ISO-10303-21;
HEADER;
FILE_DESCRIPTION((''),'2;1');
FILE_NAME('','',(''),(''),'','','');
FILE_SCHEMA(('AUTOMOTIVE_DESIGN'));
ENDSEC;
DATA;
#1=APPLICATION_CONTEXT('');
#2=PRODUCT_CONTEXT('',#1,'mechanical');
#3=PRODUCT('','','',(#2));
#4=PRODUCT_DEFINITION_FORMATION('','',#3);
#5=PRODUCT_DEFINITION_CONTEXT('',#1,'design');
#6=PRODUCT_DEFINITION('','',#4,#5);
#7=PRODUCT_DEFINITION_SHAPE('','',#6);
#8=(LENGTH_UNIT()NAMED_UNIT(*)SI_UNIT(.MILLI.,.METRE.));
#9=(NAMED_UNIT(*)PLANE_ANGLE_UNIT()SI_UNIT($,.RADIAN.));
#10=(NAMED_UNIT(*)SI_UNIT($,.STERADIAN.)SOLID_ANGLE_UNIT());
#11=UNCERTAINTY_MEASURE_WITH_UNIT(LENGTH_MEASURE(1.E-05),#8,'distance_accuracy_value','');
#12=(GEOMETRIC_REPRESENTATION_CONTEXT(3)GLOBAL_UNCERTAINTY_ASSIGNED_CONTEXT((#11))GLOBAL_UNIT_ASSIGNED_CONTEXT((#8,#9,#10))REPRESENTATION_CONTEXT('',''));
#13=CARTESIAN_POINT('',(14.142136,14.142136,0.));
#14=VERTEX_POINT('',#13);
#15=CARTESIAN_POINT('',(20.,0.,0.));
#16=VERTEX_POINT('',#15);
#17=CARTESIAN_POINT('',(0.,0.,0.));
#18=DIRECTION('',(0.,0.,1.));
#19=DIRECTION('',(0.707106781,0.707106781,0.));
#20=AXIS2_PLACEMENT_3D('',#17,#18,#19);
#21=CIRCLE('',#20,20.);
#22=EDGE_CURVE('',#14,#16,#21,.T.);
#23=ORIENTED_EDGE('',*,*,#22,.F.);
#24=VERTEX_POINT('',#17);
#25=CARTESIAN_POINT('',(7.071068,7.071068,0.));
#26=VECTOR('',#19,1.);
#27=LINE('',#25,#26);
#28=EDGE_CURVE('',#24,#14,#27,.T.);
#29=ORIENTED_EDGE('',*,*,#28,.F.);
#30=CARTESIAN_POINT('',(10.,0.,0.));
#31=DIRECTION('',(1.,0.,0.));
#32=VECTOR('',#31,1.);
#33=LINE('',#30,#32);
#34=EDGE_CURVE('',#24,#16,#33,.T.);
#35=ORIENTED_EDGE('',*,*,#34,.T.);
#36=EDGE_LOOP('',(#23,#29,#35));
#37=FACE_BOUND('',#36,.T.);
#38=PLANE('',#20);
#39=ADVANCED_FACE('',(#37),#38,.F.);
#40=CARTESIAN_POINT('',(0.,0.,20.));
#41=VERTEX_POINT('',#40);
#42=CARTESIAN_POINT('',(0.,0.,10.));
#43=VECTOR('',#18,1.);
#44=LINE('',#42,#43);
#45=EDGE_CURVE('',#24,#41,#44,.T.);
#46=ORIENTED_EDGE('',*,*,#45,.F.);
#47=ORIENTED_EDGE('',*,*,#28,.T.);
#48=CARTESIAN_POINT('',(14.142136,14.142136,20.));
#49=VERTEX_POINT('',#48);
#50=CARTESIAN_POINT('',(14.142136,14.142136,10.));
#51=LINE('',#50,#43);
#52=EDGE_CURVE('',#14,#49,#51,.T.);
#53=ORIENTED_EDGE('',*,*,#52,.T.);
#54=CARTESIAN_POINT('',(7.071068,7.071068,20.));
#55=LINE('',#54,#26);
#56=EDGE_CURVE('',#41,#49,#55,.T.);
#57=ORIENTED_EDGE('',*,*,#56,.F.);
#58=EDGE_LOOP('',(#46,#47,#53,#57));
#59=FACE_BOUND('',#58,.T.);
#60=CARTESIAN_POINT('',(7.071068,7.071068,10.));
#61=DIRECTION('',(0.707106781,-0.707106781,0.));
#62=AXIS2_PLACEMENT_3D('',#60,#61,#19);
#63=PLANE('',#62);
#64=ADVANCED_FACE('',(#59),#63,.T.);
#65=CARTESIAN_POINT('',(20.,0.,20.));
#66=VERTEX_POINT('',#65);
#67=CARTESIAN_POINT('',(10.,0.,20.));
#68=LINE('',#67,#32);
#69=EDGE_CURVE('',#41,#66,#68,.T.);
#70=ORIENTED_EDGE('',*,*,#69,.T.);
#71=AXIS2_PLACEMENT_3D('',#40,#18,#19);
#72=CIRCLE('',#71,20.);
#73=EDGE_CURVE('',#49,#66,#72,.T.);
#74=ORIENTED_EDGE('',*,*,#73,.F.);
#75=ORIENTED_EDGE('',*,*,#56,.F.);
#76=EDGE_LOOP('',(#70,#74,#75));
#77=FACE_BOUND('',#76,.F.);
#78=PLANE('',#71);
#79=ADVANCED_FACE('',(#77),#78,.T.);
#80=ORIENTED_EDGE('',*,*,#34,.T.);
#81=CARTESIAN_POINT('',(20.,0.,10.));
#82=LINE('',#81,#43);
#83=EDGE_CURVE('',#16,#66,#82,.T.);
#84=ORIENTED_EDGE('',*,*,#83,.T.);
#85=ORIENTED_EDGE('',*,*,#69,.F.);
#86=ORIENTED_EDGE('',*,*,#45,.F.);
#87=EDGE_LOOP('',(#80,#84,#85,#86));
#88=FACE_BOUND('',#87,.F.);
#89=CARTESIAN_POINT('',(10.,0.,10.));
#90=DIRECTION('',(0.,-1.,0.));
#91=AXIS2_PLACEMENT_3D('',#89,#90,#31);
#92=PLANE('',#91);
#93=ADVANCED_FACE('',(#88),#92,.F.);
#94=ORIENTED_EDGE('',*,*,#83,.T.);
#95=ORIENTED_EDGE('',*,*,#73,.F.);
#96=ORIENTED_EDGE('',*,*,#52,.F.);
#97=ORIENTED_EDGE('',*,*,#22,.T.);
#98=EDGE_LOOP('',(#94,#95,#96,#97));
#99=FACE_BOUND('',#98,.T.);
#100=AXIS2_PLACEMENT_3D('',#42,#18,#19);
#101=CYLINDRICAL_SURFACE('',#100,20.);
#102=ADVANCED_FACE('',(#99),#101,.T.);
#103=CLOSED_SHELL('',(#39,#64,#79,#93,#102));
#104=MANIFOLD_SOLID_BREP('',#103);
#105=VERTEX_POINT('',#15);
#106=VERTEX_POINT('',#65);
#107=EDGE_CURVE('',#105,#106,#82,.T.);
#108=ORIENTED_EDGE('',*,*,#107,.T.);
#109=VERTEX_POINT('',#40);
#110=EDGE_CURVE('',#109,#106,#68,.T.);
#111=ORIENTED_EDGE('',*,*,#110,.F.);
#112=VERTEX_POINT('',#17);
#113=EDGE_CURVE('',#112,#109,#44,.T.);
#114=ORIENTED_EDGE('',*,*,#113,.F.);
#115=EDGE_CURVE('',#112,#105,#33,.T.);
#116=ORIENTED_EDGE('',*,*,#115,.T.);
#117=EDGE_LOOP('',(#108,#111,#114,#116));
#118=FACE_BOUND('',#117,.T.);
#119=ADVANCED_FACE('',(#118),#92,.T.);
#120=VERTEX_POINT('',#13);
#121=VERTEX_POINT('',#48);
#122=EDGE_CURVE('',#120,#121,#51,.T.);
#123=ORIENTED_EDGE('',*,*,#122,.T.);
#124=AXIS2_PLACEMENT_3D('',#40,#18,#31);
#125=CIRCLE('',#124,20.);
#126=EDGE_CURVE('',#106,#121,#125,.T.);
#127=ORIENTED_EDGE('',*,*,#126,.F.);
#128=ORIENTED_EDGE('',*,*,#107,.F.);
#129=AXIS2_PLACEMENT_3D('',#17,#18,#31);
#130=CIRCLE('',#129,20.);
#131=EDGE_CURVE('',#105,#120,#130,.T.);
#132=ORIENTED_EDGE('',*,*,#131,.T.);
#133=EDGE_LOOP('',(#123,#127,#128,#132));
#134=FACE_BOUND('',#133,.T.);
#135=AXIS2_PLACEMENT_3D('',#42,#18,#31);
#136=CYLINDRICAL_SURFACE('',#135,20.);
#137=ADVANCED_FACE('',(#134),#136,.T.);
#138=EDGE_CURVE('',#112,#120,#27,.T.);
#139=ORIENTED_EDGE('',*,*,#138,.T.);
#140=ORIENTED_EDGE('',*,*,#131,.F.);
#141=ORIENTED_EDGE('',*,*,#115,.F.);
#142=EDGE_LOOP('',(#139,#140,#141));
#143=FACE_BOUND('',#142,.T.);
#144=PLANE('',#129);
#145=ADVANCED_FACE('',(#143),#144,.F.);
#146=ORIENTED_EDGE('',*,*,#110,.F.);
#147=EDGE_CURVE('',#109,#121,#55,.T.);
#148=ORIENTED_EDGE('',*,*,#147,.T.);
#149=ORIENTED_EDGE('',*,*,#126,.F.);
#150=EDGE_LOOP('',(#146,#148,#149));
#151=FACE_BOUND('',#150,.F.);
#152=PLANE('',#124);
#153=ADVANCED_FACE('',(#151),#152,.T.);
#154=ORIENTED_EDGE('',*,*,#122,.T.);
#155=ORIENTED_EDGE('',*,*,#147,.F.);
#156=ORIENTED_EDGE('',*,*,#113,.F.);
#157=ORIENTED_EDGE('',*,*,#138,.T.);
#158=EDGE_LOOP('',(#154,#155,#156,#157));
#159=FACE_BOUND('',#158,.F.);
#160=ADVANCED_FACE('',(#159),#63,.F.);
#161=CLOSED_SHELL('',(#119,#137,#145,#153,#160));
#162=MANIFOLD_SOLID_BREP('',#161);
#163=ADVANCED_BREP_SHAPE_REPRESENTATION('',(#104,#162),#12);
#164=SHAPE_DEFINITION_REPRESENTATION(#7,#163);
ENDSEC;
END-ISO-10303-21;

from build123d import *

# Parameters (mm, degrees)
CYLINDER_W               = 20
CYLINDER_H               = 20
CYLINDER_ANGLE           = 315
CYLINDER_PLACEMENT_ANGLE = 45
CYLINDER001_W            = 20
CYLINDER001_H            = 20
CYLINDER001_ANGLE        = 45


with BuildPart() as base:
    # Cylinder → Cylinder (revolve)
    with BuildSketch(Plane.XZ):
        with Locations((10, 10)):
            Rectangle(CYLINDER_W, CYLINDER_H)
    revolve(axis=Axis((0, 0, 0), (0, 0, 1)), revolution_arc=CYLINDER_ANGLE)


with BuildPart() as base_1:
    # Cylinder placement: moved
    add(base.part.rotate(Axis((0, 0, 0), (0, 0, 1)), CYLINDER_PLACEMENT_ANGLE))


with BuildPart() as proporci:
    # Cylinder001 → Cylinder001 (revolve)
    with BuildSketch(Plane.XZ):
        with Locations((10, 10)):
            Rectangle(CYLINDER001_W, CYLINDER001_H)
    revolve(axis=Axis((0, 0, 0), (0, 0, 1)), revolution_arc=CYLINDER001_ANGLE)


solid = Compound([base_1.part, proporci.part])
